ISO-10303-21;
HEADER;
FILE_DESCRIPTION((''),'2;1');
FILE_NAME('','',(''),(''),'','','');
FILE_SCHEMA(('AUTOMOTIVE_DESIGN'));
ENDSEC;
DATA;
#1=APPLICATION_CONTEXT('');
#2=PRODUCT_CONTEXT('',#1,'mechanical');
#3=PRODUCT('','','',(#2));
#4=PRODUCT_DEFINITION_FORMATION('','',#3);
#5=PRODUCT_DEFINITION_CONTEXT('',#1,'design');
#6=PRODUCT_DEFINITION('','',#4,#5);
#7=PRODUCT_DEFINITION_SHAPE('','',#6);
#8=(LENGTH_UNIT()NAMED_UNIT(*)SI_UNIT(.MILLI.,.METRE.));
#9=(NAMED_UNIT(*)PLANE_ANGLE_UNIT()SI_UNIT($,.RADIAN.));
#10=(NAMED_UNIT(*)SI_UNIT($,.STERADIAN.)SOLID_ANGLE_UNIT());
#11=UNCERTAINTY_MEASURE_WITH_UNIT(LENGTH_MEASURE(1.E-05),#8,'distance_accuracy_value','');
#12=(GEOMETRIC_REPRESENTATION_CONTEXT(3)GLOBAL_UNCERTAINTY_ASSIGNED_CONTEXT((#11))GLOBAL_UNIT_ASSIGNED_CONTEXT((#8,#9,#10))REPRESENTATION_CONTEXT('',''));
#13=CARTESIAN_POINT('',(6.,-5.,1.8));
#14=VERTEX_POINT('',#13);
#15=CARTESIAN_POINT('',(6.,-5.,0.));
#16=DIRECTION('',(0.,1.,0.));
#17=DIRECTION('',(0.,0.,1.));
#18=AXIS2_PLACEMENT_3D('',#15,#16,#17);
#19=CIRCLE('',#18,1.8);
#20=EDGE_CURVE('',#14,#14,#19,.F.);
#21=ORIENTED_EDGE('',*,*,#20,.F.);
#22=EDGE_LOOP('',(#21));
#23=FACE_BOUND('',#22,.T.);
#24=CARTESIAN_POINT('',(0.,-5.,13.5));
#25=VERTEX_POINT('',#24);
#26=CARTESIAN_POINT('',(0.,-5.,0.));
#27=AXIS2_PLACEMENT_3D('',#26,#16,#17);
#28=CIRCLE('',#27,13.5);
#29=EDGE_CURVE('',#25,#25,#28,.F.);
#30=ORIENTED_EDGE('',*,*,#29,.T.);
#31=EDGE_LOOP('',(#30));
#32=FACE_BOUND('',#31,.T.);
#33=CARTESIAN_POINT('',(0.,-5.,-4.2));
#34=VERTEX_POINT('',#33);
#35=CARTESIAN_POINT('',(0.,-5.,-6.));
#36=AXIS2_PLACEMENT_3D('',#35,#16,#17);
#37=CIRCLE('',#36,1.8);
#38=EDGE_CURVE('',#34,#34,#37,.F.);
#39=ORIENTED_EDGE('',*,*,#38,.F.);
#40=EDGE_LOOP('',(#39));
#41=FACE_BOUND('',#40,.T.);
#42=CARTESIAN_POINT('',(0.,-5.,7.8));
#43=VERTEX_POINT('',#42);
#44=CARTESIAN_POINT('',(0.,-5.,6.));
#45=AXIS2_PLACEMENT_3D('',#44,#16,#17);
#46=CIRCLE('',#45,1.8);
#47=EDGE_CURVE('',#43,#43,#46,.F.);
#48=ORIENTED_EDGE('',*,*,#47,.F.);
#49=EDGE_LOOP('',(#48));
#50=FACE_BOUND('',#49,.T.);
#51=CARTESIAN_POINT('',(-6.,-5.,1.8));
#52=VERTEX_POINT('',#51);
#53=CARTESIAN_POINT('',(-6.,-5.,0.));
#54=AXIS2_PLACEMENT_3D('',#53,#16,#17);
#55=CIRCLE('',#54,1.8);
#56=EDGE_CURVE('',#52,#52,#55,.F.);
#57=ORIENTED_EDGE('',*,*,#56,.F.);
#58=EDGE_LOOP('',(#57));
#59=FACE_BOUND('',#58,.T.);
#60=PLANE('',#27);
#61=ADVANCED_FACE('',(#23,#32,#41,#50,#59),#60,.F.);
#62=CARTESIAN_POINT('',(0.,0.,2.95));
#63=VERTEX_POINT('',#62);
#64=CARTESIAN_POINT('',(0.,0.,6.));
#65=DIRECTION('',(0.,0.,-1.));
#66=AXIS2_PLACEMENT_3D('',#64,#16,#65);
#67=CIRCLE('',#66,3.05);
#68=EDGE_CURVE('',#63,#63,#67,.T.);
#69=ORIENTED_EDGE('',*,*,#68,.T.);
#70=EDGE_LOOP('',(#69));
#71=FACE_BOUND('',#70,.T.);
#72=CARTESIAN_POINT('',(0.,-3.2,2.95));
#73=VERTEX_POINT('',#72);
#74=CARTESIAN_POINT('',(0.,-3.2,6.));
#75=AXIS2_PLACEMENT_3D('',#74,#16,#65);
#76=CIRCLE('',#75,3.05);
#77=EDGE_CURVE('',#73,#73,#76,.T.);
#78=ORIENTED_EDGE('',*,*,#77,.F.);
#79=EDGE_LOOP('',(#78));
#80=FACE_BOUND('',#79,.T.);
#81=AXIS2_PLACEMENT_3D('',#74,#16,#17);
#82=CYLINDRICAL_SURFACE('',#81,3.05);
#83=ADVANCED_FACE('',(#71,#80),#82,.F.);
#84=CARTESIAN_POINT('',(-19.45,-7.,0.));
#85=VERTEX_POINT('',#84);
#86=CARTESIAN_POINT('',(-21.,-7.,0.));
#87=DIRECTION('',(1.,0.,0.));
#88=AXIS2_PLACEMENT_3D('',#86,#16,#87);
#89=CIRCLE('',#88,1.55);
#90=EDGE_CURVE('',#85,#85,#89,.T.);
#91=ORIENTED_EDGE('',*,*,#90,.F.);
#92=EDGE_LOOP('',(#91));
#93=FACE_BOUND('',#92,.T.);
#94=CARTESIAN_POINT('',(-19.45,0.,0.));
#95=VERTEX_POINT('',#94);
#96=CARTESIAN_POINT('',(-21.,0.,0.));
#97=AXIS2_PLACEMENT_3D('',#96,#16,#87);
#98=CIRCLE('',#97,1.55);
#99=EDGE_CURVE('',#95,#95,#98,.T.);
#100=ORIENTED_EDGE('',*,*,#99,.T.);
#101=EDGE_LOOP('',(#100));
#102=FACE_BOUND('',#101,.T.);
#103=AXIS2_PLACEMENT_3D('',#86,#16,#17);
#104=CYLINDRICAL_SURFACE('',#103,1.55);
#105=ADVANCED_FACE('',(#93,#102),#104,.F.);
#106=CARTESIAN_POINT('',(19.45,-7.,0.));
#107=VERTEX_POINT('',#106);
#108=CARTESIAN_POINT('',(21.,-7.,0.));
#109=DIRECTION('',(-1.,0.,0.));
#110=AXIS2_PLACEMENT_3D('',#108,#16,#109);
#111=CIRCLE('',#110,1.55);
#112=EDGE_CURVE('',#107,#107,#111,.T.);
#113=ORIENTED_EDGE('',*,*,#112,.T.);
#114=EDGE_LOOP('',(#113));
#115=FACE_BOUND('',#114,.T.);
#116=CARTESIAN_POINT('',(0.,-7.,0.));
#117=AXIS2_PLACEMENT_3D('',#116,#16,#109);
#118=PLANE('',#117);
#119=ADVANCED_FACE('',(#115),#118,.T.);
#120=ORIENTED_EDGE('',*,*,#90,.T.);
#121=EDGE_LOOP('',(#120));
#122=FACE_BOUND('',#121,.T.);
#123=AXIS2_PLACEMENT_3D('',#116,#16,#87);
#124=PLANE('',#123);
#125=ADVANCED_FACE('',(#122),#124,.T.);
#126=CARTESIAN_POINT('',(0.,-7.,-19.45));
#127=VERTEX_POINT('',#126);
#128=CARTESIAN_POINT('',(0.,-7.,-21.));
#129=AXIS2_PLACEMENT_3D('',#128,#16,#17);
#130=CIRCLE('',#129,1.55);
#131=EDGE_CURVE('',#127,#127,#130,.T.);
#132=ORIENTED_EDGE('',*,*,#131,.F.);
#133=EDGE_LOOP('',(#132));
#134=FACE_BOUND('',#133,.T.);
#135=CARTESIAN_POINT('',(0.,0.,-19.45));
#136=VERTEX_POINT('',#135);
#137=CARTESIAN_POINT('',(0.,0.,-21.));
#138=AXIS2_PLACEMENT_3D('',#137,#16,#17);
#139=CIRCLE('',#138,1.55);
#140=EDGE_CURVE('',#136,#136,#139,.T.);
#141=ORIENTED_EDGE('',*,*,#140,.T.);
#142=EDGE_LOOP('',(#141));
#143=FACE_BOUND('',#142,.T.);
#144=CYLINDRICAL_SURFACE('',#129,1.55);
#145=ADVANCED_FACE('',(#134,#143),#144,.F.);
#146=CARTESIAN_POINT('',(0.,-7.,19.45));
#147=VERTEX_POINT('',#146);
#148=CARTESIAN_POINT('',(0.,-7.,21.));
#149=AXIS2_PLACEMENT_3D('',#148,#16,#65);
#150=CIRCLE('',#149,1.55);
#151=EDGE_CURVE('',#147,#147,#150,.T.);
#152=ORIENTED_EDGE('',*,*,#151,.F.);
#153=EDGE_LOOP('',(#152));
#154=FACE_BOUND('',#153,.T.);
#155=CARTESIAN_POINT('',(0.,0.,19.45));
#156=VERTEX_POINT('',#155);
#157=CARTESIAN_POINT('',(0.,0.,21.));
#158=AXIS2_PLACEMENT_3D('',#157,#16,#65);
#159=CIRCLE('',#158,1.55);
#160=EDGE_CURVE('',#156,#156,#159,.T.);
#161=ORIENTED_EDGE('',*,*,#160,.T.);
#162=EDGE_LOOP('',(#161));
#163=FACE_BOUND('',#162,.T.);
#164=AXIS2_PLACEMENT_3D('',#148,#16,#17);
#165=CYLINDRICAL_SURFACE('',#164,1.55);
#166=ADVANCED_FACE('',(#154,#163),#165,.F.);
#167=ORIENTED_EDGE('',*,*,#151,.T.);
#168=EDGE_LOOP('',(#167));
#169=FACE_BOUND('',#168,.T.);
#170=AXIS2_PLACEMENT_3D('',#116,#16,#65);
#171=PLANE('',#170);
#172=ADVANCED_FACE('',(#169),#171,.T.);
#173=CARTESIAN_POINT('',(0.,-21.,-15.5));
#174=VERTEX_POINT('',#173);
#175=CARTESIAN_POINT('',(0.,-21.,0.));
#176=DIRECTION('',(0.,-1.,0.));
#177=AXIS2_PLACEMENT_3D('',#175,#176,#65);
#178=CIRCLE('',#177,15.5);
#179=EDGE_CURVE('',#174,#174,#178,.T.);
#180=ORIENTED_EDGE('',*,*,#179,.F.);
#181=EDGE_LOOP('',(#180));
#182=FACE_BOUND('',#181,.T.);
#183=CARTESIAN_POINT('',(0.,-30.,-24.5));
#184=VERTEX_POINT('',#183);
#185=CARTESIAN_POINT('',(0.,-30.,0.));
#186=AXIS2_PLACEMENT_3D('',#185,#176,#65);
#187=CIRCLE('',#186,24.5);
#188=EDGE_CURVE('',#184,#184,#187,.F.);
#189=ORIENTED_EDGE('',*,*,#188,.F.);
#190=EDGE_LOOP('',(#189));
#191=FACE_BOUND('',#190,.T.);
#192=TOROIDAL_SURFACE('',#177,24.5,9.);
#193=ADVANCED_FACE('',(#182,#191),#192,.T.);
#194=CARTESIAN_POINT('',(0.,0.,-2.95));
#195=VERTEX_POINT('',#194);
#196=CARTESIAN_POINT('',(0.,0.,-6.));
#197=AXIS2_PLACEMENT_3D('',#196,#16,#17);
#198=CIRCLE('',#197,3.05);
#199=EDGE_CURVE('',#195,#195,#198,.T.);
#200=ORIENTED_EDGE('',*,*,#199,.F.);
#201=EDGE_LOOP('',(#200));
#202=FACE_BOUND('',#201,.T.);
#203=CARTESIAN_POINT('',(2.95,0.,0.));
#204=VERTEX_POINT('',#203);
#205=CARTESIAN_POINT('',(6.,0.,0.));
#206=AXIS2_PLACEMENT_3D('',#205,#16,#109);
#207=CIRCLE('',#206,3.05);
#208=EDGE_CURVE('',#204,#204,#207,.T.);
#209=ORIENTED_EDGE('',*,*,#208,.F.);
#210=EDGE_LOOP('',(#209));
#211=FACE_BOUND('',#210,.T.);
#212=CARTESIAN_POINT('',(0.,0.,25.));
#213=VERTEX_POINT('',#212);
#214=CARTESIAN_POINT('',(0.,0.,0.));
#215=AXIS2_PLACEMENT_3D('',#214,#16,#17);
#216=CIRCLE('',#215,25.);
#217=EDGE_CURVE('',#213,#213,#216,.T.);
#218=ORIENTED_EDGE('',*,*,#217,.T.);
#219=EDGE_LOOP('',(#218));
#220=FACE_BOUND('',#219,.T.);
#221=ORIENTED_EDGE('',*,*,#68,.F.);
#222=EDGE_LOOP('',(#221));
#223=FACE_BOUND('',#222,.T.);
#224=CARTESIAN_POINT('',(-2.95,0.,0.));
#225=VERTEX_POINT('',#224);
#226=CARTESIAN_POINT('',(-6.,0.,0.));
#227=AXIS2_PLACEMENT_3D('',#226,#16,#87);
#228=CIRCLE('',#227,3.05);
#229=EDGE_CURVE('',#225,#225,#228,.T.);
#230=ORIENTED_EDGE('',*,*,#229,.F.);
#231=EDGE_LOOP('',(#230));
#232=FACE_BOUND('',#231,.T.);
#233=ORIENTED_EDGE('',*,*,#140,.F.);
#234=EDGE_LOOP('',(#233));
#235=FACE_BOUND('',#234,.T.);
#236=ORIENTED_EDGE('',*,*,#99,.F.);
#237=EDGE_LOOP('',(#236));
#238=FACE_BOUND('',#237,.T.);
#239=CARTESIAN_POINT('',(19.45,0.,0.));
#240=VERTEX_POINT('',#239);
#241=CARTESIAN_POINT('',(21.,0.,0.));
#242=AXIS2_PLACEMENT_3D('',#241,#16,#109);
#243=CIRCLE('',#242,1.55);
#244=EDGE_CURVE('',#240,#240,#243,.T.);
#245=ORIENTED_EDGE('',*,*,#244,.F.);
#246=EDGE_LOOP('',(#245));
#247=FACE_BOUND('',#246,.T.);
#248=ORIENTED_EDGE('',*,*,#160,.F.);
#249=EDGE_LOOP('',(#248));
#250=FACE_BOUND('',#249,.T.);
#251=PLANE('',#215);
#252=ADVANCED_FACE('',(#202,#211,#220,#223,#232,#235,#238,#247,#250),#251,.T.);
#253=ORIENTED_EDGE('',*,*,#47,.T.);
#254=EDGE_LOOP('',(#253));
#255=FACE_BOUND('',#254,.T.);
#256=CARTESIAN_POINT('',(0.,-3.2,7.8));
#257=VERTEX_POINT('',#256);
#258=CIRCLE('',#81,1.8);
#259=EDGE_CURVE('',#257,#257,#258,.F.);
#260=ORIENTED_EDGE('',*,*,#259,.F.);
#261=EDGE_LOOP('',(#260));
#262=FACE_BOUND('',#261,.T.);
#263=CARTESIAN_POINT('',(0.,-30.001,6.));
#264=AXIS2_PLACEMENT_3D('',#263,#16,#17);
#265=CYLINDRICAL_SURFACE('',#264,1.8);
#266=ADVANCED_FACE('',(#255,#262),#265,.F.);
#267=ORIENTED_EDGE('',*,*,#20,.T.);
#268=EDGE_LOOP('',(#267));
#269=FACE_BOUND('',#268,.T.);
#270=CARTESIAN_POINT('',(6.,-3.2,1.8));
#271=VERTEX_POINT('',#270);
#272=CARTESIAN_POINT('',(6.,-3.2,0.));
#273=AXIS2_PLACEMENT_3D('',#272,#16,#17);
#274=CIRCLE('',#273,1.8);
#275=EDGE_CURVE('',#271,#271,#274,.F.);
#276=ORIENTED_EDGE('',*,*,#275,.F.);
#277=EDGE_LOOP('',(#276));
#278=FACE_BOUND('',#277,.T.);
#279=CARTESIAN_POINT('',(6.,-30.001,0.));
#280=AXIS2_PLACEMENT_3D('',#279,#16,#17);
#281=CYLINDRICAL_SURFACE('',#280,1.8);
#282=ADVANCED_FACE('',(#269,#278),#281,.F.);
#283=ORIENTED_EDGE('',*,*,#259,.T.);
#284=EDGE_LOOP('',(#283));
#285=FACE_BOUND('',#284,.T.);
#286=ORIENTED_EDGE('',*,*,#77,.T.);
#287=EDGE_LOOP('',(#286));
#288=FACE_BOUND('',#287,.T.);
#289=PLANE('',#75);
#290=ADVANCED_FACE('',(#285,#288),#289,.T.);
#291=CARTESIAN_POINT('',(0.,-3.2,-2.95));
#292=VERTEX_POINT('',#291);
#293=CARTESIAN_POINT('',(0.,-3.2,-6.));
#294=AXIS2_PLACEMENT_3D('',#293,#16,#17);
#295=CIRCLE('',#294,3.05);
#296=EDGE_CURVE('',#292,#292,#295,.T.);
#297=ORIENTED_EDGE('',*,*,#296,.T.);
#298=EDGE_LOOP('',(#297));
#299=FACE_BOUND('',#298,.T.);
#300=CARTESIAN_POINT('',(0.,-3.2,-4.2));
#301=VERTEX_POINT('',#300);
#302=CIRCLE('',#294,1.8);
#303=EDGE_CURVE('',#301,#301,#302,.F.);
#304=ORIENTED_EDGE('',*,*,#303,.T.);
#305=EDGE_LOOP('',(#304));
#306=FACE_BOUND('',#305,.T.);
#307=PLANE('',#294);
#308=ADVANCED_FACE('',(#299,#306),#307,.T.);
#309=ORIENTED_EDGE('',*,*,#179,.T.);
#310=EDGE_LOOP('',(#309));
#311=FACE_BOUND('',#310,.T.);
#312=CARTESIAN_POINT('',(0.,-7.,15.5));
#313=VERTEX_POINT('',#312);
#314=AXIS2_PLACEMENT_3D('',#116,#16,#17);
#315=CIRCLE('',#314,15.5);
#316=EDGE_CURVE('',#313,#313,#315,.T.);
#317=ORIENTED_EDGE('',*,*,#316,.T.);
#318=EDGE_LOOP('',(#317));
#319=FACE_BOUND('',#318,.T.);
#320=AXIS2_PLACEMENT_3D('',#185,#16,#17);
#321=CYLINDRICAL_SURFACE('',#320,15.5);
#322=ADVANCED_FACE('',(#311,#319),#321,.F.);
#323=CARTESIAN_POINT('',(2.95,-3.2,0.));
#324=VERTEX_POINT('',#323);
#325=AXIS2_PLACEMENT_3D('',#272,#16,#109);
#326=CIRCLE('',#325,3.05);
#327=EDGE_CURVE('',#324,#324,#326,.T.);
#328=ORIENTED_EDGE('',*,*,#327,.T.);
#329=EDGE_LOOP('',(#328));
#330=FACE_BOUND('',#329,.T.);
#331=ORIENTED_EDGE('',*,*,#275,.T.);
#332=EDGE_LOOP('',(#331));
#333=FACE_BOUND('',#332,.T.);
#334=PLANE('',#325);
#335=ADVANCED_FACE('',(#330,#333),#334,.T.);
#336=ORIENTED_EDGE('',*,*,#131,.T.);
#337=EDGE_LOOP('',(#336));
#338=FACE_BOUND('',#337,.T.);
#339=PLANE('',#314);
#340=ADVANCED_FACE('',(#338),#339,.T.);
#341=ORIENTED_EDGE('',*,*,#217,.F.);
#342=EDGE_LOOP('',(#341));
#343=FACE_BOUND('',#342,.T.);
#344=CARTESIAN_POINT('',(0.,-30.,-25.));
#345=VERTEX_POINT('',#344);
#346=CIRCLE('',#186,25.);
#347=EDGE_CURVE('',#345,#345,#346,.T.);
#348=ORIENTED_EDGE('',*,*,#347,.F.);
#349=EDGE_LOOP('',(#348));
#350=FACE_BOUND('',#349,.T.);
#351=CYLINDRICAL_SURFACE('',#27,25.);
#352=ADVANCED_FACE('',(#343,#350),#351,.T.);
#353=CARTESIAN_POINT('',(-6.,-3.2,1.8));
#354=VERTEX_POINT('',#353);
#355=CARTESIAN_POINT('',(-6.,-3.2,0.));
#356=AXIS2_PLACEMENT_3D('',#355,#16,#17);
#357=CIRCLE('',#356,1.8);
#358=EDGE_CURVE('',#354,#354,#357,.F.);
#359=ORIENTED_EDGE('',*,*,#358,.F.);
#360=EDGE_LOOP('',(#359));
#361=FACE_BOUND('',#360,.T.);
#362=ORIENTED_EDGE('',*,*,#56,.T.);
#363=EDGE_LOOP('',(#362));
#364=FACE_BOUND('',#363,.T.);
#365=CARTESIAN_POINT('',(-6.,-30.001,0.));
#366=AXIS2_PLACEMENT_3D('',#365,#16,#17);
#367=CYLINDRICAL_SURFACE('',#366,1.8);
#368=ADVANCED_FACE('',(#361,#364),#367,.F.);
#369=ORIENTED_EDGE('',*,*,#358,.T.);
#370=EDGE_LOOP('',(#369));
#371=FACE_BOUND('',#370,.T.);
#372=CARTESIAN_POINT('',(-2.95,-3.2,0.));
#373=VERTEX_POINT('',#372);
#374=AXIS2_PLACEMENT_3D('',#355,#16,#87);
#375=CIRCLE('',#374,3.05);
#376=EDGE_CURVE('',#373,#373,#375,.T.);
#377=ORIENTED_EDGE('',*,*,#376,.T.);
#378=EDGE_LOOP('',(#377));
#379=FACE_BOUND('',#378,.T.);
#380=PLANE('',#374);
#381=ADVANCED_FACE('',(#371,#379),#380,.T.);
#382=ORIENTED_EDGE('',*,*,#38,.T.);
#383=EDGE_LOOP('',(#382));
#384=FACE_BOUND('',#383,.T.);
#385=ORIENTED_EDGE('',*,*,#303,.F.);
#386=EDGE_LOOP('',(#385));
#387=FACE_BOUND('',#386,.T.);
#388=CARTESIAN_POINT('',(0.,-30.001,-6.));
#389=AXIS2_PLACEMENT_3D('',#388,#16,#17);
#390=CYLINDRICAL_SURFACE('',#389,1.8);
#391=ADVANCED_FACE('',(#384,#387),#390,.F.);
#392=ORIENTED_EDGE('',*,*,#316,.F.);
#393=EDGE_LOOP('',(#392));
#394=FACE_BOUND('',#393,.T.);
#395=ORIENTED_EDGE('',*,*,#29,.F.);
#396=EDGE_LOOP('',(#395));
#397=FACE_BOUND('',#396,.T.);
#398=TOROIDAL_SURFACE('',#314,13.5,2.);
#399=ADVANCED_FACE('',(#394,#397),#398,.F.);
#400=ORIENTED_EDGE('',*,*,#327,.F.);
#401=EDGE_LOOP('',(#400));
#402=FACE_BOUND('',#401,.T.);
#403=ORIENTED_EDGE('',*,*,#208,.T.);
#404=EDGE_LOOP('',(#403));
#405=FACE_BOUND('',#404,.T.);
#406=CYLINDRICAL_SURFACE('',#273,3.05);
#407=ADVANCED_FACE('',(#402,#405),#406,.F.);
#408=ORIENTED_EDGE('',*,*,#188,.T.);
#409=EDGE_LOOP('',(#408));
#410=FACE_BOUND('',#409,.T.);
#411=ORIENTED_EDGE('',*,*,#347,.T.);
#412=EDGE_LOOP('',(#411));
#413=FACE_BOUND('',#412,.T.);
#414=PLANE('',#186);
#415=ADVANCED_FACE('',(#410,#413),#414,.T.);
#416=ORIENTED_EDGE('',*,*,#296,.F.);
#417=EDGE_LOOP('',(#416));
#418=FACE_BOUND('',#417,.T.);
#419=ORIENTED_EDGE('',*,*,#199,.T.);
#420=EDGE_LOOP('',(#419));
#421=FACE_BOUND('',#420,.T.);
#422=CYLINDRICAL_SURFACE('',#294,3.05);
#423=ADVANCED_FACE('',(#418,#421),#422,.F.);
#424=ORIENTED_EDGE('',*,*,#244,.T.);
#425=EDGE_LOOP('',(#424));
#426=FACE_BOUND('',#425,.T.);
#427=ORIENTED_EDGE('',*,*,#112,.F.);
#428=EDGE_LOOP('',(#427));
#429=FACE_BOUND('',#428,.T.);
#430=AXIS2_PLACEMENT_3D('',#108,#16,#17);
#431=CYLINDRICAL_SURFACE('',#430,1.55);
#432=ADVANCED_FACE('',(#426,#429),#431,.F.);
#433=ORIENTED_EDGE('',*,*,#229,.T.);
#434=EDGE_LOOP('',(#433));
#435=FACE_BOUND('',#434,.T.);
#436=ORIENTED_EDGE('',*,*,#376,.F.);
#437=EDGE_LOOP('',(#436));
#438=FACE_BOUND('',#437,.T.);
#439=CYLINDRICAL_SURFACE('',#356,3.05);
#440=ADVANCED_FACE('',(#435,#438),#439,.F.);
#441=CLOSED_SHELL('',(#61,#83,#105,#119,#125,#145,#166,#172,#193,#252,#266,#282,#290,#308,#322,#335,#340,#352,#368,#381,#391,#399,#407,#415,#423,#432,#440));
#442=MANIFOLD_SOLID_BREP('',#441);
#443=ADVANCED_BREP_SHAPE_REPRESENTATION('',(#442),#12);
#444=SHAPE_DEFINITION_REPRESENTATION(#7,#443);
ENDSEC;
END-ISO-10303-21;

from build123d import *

# Parameters (mm, degrees)
SKETCH1_R           = 25
BOSS_EXTRUDE1_DEPTH = 5
SKETCH2_R           = 25
SKETCH2_R_2         = 15.5
BOSS_EXTRUDE2_DEPTH = 25
SKETCH3_R           = 3.05
SKETCH3_R_2         = 1.8
CUT_EXTRUDE1_DEPTH  = 3.2
CUT_EXTRUDE2_REACH  = 48.368
SKETCH3_2_R         = 1.8
SKETCH4_R           = 1.55
CUT_EXTRUDE4_DEPTH  = 7
CIRPATTERN1_COUNT   = 4
FILLET1_R           = 9
FILLET2_R           = 2


with BuildPart() as part:
    # Sketch1 → Boss-Extrude1 (new body)
    with BuildSketch(Plane(origin=(0, 0, 0), x_dir=(1, 0, 0), z_dir=(0, 1, 0))):
        Circle(SKETCH1_R)
    extrude(amount=-BOSS_EXTRUDE1_DEPTH)

    # Sketch2 → Boss-Extrude2 (add)
    with BuildSketch(Plane.XZ.offset(5)):
        Circle(SKETCH2_R)
        Circle(SKETCH2_R_2, mode=Mode.SUBTRACT)
    extrude(amount=BOSS_EXTRUDE2_DEPTH)

    # Sketch3 → Cut-Extrude1 (cut)
    with BuildSketch(Plane(origin=(0, 0, 0), x_dir=(1, 0, 0), z_dir=(0, 1, 0))):
        with Locations((0, 6)):
            Circle(SKETCH3_R)
        with Locations((0, 6)):
            Circle(SKETCH3_R_2, mode=Mode.SUBTRACT)
    cut_extrude1 = extrude(amount=-CUT_EXTRUDE1_DEPTH, mode=Mode.SUBTRACT)

    # Sketch3<2> → Cut-Extrude2 (cut, up to next)
    with BuildSketch(Plane(origin=(0, 0, 0), x_dir=(1, 0, 0), z_dir=(0, 1, 0)), mode=Mode.PRIVATE) as cut_extrude2_sk1:
        with Locations((0, 6)):
            Circle(SKETCH3_2_R)
    cut_extrude2_tool1 = extrude(cut_extrude2_sk1.sketch, amount=-CUT_EXTRUDE2_REACH, mode=Mode.PRIVATE) & part.part
    cut_extrude2 = cut_extrude2_tool1.solids().sort_by_distance((0, 0, -6))[0]
    add(cut_extrude2, mode=Mode.SUBTRACT)

    # Sketch4 → Cut-Extrude4 (cut)
    with BuildSketch(Plane(origin=(0, 0, 0), x_dir=(1, 0, 0), z_dir=(0, 1, 0))):
        with Locations((0, 21)):
            Circle(SKETCH4_R)
    cut_extrude4 = extrude(amount=-CUT_EXTRUDE4_DEPTH, mode=Mode.SUBTRACT)

    # CirPattern1: Cut-Extrude1, Cut-Extrude2, Cut-Extrude4 ×4 about axis
    cirpattern1_axis = Axis((0, -5, 0), (0, 1, 0))
    add([cut_extrude1.rotate(cirpattern1_axis, i * 360 / CIRPATTERN1_COUNT) for i in range(1, CIRPATTERN1_COUNT)], mode=Mode.SUBTRACT)
    add([cut_extrude2.rotate(cirpattern1_axis, i * 360 / CIRPATTERN1_COUNT) for i in range(1, CIRPATTERN1_COUNT)], mode=Mode.SUBTRACT)
    add([cut_extrude4.rotate(cirpattern1_axis, i * 360 / CIRPATTERN1_COUNT) for i in range(1, CIRPATTERN1_COUNT)], mode=Mode.SUBTRACT)

    # Fillet1
    fillet1_edges = [part.edges().sort_by_distance(p)[0] for p in [
        (-15.5, -30, 0),
    ]]
    fillet(fillet1_edges, radius=FILLET1_R)

    # Fillet2
    fillet2_edges = [part.edges().sort_by_distance(p)[0] for p in [
        (-15.5, -5, 0),
    ]]
    fillet(fillet2_edges, radius=FILLET2_R)


solid = part.part
